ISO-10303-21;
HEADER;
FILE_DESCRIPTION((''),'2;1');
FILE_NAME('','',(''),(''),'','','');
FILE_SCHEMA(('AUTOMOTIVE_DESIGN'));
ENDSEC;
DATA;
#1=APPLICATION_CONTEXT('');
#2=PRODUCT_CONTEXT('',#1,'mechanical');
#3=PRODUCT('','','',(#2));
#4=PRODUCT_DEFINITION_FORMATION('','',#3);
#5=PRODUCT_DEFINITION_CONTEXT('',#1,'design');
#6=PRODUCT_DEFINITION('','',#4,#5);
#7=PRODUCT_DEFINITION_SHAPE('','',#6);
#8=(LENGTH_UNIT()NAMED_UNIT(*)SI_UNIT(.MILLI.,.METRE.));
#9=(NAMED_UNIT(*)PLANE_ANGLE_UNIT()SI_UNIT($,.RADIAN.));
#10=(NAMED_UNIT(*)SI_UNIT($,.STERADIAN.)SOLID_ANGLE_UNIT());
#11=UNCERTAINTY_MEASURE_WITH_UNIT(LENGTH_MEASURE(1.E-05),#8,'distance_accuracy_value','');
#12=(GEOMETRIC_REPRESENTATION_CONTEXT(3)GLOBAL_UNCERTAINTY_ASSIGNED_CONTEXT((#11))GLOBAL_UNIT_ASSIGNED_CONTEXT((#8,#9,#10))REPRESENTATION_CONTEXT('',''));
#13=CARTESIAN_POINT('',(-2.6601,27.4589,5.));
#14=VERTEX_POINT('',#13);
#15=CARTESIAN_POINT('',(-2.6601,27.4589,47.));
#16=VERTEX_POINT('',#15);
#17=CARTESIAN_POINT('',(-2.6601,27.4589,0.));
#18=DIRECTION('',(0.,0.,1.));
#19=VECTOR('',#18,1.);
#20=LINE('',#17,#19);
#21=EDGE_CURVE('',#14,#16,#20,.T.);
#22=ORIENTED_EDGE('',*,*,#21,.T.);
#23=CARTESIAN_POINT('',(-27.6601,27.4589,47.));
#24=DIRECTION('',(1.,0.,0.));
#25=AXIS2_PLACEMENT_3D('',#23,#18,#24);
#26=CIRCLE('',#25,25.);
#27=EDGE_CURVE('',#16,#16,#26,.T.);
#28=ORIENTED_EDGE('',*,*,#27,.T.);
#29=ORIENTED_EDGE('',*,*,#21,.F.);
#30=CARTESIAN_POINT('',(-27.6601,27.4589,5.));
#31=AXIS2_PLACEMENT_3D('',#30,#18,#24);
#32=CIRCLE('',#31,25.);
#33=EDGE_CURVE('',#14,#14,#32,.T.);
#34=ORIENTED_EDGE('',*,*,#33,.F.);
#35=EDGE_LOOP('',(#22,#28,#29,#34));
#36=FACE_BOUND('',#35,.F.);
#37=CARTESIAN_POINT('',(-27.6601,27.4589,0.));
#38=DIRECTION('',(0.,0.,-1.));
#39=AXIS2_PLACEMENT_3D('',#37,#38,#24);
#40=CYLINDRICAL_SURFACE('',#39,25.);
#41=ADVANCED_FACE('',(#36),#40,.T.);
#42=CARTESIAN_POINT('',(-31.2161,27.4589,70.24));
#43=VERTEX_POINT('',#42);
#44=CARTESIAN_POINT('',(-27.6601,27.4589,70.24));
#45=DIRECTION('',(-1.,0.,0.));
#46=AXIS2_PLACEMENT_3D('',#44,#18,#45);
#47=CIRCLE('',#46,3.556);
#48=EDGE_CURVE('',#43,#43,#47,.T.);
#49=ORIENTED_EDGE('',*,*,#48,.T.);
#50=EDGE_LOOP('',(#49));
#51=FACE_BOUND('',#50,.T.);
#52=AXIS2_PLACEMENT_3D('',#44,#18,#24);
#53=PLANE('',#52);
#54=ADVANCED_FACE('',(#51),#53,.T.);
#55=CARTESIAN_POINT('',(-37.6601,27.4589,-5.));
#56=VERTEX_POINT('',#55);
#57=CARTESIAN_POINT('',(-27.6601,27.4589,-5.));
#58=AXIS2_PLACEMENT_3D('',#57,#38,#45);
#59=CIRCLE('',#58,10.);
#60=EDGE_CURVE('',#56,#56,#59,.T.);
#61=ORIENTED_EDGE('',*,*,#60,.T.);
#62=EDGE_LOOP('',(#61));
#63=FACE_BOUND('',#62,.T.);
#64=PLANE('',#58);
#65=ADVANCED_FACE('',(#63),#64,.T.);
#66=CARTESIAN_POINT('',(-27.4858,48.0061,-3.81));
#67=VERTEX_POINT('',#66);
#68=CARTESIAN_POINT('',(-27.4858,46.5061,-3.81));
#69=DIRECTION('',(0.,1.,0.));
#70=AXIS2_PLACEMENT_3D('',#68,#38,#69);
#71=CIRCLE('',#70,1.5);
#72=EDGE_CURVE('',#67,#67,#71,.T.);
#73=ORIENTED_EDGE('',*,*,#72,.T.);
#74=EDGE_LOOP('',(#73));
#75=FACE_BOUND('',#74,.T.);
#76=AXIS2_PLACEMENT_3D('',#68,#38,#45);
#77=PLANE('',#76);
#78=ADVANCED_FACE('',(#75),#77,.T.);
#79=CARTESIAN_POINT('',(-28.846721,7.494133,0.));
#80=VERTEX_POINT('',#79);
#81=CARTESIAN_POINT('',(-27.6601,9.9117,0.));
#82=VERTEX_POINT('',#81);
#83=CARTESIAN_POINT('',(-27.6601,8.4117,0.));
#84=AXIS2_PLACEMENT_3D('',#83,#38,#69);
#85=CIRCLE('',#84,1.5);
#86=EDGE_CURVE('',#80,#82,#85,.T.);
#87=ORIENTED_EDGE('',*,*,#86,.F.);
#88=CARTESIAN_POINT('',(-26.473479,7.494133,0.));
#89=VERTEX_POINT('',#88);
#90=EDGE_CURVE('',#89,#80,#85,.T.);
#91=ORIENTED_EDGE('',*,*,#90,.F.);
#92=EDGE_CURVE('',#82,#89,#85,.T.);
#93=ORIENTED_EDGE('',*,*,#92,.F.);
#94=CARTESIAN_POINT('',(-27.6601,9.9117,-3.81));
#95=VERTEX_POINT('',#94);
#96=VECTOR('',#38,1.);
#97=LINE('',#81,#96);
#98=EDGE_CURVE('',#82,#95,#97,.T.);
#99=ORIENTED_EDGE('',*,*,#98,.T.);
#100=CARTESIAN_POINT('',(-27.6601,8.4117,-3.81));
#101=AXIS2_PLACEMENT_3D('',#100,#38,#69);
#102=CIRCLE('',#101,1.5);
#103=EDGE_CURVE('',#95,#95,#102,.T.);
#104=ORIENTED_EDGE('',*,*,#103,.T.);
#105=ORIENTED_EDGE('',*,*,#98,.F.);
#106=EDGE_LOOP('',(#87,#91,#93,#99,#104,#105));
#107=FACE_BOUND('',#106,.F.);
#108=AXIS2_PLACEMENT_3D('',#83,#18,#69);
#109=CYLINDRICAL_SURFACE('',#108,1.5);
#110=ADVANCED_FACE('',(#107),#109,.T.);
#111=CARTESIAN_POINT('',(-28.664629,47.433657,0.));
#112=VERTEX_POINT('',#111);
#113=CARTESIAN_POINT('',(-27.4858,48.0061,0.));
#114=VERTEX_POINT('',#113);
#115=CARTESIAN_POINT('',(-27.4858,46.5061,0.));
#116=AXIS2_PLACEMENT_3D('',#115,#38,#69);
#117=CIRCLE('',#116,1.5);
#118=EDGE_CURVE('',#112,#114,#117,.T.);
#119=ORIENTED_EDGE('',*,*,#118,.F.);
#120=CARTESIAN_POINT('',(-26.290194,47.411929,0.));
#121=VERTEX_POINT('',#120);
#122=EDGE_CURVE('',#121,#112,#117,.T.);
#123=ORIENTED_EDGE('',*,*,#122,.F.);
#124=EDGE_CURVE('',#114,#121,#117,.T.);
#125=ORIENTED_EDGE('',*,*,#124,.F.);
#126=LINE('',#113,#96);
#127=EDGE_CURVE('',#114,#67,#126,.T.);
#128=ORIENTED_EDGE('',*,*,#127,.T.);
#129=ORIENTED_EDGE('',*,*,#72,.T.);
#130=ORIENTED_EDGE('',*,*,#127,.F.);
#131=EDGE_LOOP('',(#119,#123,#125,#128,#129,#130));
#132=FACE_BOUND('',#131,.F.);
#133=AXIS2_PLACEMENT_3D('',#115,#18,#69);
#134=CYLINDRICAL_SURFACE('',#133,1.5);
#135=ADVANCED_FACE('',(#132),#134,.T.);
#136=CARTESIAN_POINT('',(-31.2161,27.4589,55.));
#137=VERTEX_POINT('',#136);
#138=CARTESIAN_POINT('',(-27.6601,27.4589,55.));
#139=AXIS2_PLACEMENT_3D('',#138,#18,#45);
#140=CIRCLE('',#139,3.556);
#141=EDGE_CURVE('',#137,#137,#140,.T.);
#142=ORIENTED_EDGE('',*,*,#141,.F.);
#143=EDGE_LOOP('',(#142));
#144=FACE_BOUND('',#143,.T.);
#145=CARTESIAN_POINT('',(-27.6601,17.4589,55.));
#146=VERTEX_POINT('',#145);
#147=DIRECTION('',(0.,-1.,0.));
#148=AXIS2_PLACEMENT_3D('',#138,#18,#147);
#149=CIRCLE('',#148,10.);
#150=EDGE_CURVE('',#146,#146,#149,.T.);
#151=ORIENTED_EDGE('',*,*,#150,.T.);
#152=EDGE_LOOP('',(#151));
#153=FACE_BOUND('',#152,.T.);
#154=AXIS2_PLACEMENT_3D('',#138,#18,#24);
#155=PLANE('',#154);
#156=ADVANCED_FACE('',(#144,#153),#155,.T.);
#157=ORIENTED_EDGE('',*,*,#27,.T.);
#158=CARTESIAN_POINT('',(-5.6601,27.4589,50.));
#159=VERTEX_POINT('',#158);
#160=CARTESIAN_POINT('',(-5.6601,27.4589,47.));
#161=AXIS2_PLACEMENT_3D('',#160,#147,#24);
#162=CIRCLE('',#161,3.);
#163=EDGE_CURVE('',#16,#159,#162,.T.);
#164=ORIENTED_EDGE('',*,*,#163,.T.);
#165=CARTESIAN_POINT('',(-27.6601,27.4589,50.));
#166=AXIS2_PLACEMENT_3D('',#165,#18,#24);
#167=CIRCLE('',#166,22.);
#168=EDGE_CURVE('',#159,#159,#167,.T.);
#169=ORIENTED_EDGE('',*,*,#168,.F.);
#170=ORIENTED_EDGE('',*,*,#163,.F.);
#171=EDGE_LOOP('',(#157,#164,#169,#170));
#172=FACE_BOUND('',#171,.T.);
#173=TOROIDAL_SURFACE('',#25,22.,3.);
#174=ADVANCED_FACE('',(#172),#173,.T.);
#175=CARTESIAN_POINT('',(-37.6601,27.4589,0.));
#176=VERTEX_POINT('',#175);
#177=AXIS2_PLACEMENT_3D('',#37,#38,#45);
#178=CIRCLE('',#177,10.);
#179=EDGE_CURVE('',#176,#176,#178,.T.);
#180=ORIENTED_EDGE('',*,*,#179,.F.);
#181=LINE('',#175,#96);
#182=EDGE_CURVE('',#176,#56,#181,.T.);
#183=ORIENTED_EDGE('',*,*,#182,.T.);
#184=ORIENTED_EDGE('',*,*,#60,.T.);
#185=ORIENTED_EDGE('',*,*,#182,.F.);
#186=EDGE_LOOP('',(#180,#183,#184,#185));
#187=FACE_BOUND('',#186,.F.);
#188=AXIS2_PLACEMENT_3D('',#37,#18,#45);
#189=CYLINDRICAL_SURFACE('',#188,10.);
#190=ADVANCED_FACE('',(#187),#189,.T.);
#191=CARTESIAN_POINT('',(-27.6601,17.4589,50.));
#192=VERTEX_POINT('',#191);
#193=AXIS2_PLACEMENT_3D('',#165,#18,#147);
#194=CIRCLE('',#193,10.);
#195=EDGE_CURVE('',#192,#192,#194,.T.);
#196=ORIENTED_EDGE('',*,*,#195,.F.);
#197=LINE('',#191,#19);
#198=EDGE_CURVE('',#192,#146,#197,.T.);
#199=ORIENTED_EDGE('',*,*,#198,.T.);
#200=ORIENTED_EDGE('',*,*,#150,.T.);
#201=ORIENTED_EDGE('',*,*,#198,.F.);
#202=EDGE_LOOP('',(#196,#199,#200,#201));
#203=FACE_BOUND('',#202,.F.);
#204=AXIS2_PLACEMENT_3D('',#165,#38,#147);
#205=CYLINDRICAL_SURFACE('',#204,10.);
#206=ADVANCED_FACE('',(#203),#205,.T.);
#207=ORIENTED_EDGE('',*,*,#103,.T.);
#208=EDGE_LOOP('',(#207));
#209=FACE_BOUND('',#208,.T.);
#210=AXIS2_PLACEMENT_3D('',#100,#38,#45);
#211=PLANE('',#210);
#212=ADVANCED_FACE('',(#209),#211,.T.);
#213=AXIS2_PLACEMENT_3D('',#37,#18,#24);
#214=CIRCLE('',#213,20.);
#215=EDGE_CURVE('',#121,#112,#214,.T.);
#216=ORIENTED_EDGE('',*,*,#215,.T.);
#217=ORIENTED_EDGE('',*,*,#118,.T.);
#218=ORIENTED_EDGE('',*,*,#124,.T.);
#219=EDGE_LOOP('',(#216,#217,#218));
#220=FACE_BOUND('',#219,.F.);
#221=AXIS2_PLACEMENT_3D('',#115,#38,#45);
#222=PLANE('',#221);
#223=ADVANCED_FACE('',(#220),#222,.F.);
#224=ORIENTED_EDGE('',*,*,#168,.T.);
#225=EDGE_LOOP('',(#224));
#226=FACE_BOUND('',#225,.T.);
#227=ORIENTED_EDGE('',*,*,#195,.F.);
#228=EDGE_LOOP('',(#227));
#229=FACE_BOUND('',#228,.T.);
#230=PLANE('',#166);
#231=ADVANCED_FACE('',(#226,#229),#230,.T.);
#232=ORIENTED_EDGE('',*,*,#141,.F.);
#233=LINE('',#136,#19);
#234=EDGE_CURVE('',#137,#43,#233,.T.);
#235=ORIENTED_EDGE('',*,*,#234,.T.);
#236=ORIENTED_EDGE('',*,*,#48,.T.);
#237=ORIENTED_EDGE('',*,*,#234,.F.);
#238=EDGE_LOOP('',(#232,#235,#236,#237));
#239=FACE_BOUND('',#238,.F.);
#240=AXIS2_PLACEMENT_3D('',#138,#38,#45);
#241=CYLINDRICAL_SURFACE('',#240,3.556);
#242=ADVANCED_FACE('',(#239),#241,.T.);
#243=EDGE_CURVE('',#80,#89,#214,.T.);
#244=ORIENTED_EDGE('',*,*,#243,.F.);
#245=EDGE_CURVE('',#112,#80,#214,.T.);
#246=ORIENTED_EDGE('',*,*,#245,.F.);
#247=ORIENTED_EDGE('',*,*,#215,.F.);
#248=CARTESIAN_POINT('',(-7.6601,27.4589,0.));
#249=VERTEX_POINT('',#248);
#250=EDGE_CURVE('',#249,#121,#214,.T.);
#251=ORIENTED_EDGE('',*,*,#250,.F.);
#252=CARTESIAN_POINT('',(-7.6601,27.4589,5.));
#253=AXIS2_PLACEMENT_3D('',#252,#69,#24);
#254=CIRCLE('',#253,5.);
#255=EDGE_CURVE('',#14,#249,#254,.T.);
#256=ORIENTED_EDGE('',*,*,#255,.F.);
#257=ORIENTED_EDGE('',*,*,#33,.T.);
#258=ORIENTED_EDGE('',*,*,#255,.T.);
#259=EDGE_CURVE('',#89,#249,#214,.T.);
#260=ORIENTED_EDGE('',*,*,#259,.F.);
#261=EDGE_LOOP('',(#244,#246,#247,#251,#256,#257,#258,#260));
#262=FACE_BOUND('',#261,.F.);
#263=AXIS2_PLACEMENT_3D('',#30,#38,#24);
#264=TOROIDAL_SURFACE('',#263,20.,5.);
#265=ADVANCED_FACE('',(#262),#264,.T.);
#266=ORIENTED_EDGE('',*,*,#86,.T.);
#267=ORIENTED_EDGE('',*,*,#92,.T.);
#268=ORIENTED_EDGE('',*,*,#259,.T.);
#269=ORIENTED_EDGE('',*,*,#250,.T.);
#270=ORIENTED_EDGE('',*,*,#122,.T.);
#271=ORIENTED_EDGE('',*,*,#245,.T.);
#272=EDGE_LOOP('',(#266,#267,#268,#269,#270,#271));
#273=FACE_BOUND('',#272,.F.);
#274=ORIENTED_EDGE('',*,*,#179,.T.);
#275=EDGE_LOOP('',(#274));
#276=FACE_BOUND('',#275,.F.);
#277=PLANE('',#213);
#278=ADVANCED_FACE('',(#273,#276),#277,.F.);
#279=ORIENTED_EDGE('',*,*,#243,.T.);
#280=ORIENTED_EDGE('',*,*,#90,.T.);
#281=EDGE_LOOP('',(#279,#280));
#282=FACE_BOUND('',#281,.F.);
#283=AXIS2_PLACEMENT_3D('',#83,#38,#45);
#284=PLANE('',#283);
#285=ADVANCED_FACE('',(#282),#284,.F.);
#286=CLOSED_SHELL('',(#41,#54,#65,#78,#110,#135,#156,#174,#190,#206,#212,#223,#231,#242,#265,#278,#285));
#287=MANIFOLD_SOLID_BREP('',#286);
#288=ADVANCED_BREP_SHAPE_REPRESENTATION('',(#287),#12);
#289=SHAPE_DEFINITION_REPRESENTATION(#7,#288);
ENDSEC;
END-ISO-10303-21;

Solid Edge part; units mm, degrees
sketch "Sketch1" plane through (0, 0, 0) normal (0, 0, 1) x (1, 0, 0)
  circle A0 centre (-27.6601, 27.4589) radius 25
extrude "Protrusion1" add sketch "Sketch1" along normal blind 50
fillet "Round_1" radius 5 1 edges at (-52.6601, 27.4589, 0)
fillet "Round_2" radius 3 1 edges at (-52.6601, 27.4589, 50)
sketch "Sketch2" plane through (-27.6601, 27.4589, 50) normal (0, 0, 1) x (0, -1, 0)
  circle A0 centre (0, 0) radius 10
extrude "ExtrudedProtrusion_2" add sketch "Sketch2" along normal blind 5
sketch "Sketch3" plane through (-27.6601, 27.4589, 0) normal (0, 0, -1) x (-1, 0, 0)
  circle A0 centre (0, 0) radius 10
extrude "ExtrudedProtrusion_3" add sketch "Sketch3" along normal blind 5
sketch "Sketch4" plane through (-27.6601, 27.4589, 55) normal (0, 0, 1) x (-1, 0, 0)
  circle A0 centre (0, 0) radius 3.556
extrude "ExtrudedProtrusion_4" add sketch "Sketch4" along normal blind 15.24
sketch "Sketch5" plane through (-27.6601, 27.4589, 0) normal (0, 0, -1) x (0, 1, 0)
  circle A0 centre (-19.0472, 0) radius 1.5
  circle A1 centre (19.0472, 0.1743) radius 1.5
extrude "ExtrudedProtrusion_6" add sketch "Sketch5" along normal blind 3.81
